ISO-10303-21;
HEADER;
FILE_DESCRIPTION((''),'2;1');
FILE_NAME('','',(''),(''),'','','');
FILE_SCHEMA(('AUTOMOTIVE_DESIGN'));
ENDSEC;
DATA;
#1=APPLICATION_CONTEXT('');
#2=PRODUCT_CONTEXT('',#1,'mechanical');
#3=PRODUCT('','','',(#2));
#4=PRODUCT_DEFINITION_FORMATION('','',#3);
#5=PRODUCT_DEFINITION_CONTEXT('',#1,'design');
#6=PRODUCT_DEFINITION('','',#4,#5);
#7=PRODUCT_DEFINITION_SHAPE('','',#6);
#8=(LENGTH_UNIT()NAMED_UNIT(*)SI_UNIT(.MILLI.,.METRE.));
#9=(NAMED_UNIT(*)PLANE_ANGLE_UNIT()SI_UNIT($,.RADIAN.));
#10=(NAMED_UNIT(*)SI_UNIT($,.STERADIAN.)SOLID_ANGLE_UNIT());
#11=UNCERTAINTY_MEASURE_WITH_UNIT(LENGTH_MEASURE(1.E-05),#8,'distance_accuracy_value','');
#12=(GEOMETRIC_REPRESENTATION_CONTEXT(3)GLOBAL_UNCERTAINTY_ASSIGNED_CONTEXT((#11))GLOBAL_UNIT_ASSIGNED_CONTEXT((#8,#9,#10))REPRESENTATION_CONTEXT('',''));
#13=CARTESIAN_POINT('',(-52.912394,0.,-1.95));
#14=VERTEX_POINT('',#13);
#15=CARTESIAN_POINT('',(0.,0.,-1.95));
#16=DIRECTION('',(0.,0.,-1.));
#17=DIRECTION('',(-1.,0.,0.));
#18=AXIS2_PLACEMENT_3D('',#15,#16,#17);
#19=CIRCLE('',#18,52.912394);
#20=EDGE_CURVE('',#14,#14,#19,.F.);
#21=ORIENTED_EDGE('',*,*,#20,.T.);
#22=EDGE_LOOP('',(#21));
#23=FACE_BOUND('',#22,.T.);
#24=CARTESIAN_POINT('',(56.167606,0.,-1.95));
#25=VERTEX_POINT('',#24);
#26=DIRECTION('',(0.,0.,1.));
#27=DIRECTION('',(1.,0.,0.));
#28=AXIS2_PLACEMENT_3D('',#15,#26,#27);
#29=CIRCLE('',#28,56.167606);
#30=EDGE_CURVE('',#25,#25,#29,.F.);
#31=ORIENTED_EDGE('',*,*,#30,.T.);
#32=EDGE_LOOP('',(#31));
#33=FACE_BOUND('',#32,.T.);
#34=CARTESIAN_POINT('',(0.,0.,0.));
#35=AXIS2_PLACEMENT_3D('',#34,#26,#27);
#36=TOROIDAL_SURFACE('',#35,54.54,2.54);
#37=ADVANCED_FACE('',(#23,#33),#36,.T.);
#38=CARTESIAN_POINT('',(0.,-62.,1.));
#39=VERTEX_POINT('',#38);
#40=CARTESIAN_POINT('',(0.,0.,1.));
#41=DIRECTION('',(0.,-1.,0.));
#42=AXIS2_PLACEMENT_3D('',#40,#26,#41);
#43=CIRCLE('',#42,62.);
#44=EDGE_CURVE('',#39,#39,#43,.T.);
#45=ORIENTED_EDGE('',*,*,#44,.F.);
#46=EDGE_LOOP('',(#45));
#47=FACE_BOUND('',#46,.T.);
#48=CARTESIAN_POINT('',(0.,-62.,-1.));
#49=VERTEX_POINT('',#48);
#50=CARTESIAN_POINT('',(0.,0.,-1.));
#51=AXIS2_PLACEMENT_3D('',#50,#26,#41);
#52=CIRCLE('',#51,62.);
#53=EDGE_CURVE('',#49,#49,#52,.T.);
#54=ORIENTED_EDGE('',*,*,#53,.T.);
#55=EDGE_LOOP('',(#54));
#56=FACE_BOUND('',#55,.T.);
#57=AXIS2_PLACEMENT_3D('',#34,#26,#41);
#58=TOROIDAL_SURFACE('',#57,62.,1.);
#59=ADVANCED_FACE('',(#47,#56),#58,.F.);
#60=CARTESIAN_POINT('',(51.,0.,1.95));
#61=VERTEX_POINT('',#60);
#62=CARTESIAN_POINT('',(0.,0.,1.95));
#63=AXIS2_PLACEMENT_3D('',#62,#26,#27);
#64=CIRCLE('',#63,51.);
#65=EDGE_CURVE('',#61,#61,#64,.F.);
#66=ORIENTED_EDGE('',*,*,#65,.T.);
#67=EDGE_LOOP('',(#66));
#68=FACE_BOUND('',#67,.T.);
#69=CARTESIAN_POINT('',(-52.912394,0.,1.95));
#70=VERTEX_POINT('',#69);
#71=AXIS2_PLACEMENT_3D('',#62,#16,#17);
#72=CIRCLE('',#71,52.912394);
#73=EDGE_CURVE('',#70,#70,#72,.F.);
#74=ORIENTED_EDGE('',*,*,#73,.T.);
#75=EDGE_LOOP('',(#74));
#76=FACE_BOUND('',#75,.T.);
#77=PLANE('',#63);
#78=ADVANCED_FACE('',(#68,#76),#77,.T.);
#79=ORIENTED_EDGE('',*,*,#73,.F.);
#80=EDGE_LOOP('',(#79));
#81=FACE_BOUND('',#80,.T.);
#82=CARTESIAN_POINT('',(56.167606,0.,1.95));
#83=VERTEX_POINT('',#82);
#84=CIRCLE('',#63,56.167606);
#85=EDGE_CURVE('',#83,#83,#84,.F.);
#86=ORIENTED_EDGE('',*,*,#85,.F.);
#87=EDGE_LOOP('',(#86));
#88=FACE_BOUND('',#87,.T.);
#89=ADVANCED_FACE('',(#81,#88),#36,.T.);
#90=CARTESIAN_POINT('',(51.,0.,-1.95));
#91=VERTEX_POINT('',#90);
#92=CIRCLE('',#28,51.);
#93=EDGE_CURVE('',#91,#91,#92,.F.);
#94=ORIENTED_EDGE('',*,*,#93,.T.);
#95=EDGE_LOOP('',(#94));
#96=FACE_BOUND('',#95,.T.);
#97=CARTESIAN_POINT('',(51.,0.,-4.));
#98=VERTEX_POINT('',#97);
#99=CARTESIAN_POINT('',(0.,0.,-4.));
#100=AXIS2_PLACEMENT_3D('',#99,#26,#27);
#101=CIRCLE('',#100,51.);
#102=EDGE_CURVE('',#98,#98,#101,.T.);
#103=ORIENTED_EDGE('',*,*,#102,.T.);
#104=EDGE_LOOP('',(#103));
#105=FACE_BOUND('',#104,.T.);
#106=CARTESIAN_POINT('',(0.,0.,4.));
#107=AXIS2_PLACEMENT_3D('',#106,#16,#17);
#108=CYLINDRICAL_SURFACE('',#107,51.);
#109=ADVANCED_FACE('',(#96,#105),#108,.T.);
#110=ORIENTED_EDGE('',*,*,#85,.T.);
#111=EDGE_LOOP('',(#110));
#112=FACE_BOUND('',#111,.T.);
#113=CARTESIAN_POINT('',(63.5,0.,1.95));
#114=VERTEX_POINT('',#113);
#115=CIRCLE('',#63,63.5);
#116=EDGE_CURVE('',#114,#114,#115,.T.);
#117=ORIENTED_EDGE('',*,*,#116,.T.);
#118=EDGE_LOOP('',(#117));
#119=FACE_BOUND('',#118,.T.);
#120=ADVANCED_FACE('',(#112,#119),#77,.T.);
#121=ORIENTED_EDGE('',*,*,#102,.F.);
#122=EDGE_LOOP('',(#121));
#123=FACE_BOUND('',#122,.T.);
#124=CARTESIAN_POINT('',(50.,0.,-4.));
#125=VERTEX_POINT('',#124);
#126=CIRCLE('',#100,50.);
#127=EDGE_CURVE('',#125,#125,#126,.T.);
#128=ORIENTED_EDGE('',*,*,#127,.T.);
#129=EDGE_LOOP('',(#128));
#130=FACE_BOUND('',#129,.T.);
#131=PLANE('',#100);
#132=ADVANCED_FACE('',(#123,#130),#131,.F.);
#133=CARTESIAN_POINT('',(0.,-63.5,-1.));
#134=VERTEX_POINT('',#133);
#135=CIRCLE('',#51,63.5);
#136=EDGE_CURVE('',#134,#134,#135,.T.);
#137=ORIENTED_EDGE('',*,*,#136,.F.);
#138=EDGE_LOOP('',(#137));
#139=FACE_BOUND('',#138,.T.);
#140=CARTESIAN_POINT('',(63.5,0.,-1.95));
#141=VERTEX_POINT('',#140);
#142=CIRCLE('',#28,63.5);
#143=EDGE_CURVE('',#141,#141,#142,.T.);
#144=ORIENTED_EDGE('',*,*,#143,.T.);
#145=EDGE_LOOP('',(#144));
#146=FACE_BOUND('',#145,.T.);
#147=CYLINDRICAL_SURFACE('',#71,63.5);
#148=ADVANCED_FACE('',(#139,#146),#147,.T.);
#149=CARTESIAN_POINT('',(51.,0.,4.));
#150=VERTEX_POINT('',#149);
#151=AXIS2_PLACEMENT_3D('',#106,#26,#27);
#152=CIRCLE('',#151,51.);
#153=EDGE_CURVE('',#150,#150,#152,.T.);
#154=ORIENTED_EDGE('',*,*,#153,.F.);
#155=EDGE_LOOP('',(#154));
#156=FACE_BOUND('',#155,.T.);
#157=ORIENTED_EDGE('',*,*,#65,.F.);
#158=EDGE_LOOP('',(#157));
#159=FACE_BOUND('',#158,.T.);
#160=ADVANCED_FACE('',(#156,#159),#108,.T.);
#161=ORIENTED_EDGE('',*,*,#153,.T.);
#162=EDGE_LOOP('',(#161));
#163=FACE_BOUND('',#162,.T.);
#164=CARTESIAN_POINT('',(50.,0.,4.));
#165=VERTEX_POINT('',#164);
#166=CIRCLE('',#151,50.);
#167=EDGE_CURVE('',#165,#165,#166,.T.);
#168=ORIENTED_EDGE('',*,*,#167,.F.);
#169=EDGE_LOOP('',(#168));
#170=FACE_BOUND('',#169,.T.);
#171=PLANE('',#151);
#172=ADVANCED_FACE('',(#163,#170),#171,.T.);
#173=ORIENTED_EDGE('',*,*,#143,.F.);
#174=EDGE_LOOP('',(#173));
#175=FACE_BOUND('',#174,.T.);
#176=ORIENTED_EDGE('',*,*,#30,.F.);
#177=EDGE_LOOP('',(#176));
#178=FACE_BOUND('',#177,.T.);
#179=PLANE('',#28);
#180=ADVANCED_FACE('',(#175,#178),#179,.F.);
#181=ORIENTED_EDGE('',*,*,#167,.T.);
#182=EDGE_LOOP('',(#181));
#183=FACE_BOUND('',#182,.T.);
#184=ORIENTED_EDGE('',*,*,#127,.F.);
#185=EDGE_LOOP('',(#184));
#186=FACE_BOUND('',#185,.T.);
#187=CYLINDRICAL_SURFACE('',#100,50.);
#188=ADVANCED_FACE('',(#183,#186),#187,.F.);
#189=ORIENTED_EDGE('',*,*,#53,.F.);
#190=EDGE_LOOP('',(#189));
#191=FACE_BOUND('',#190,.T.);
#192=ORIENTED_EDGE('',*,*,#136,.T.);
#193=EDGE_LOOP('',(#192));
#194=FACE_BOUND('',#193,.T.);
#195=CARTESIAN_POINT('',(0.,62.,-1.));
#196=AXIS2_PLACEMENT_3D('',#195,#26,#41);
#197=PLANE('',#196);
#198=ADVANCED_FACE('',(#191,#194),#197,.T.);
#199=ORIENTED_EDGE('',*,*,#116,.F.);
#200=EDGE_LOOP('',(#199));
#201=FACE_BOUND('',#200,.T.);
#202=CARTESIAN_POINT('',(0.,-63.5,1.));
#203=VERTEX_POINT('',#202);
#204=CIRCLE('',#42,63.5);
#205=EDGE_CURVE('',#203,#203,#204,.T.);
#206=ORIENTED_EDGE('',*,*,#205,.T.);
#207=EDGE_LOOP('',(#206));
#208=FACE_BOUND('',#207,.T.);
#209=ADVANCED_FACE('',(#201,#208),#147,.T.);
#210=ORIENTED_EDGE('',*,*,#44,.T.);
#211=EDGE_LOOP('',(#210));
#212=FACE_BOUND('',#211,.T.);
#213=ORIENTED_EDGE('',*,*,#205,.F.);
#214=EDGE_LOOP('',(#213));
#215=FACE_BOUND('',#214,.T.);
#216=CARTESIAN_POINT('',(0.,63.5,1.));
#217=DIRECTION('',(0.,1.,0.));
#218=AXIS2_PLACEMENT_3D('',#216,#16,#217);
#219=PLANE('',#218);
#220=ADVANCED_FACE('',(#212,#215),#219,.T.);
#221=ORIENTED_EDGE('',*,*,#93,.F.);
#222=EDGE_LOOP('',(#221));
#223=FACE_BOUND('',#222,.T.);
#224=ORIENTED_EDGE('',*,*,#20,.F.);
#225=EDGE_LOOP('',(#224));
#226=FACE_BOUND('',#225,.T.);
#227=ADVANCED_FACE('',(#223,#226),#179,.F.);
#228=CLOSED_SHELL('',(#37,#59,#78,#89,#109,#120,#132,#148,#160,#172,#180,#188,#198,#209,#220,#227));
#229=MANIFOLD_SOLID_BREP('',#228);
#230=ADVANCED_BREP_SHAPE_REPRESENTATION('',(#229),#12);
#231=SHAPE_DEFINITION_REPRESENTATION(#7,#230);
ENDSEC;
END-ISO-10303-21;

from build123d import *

# Parameters (mm, degrees)
SKETCH1_R      = 63.5
EXTRUDE1_DEPTH = 1.95
SKETCH2_R      = 51
EXTRUDE2_DEPTH = 4
SKETCH3_R      = 50
EXTRUDE3_DEPTH = 91.158194303
SKETCH5_R      = 2.54


with BuildPart() as part:
    # Sketch1 → Extrude1 (new, symmetric)
    with BuildSketch(Plane.XY):
        Circle(SKETCH1_R)
    extrude(amount=EXTRUDE1_DEPTH, both=True)

    # Sketch2 → Extrude2 (add, symmetric)
    with BuildSketch(Plane.XY):
        Circle(SKETCH2_R)
    extrude(amount=EXTRUDE2_DEPTH, both=True)

    # Sketch3 → Extrude3 (cut, through all)
    with BuildSketch(Plane.XY.offset(4)):
        Circle(SKETCH3_R)
    extrude(amount=-EXTRUDE3_DEPTH, mode=Mode.SUBTRACT)

    # Sketch5 → Revolve2 (revolve)
    with BuildSketch(Plane(origin=(0, 0, 0), x_dir=(0, 0, -1), z_dir=(1, 0, 0)), mode=Mode.PRIVATE) as revolve2_sk:
        with Locations((0, 54.54)):
            Circle(SKETCH5_R)
    revolve(revolve2_sk.sketch.rotate(Axis((0, 0, 4), (0, 0, -1)), 90), axis=Axis((0, 0, 4), (0, 0, -1)))

    # Sketch6 → Cut-Revolve1 (revolve, cut)
    with BuildSketch(Plane(origin=(0, 0, 0), x_dir=(0, 0, -1), z_dir=(1, 0, 0)), mode=Mode.PRIVATE) as cut_revolve1_sk:
        with BuildLine():
            Line((-1, 63.5), (-1, 62))
            ThreePointArc((-1, 62), (0, 61), (1, 62))
            Line((1, 62), (1, 63.5))
            Line((1, 63.5), (-1, 63.5))
        make_face()
    revolve(cut_revolve1_sk.sketch.rotate(Axis((0, 0, 4), (0, 0, -1)), 180), axis=Axis((0, 0, 4), (0, 0, -1)), mode=Mode.SUBTRACT)


solid = part.part
